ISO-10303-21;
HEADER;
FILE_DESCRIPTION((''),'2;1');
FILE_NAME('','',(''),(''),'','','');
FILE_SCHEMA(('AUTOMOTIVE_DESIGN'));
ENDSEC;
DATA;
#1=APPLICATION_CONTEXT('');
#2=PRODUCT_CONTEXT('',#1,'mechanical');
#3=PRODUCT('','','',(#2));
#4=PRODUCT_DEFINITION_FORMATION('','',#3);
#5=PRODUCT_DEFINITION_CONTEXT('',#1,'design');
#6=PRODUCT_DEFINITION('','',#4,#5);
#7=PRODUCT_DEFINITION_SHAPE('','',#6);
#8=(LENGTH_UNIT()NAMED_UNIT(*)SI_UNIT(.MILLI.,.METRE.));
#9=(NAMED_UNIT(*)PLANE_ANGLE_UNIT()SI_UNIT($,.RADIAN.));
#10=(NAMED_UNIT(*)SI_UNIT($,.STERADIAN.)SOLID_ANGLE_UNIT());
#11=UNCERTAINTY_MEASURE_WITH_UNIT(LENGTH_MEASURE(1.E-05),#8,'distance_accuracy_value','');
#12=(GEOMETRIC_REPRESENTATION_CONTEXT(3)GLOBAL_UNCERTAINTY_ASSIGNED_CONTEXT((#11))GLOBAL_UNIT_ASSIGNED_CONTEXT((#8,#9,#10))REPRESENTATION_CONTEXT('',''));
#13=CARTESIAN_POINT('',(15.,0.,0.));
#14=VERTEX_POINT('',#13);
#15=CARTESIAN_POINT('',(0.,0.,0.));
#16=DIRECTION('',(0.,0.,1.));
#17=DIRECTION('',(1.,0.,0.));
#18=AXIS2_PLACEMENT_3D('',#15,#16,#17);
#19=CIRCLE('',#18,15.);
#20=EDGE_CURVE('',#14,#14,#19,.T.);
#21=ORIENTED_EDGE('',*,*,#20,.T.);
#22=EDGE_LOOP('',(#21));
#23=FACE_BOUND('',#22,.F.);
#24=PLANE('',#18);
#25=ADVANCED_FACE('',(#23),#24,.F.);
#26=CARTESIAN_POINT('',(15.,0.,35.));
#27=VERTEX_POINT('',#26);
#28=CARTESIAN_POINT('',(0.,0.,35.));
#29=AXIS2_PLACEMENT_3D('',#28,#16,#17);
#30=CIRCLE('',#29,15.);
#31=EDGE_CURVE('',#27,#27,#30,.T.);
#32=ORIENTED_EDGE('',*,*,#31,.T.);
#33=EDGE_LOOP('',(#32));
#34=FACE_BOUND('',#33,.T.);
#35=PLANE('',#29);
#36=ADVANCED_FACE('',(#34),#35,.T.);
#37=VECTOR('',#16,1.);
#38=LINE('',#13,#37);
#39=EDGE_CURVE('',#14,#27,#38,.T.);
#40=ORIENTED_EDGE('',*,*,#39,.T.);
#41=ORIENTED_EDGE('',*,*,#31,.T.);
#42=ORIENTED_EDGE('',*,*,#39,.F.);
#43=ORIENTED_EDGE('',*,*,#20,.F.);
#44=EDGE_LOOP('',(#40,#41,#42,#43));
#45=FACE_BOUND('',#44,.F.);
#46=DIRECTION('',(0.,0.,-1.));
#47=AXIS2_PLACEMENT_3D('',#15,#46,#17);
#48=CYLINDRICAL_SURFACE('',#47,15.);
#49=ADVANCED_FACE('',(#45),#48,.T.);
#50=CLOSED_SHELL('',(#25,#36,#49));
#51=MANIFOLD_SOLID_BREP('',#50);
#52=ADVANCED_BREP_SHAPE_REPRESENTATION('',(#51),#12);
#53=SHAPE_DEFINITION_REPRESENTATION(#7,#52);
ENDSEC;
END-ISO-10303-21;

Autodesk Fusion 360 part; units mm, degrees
sketch "Sketch1" plane through (0, 0, 0) normal (0, 0, 1) x (1, 0, 0)
  circle A0 centre (0, 0) radius 15
  dimension "d1" = 30
extrude "Extrude1" add sketch "Sketch1" along normal blind 35
equation "d1 = Diameter / 5"
equation "Diameter = 150 mm"
equation "Thickness = 35 mm"
equation "d4 = Thickness"
equation "WaveAmplitude = 5 mm"
equation "WaveLength = 5"
